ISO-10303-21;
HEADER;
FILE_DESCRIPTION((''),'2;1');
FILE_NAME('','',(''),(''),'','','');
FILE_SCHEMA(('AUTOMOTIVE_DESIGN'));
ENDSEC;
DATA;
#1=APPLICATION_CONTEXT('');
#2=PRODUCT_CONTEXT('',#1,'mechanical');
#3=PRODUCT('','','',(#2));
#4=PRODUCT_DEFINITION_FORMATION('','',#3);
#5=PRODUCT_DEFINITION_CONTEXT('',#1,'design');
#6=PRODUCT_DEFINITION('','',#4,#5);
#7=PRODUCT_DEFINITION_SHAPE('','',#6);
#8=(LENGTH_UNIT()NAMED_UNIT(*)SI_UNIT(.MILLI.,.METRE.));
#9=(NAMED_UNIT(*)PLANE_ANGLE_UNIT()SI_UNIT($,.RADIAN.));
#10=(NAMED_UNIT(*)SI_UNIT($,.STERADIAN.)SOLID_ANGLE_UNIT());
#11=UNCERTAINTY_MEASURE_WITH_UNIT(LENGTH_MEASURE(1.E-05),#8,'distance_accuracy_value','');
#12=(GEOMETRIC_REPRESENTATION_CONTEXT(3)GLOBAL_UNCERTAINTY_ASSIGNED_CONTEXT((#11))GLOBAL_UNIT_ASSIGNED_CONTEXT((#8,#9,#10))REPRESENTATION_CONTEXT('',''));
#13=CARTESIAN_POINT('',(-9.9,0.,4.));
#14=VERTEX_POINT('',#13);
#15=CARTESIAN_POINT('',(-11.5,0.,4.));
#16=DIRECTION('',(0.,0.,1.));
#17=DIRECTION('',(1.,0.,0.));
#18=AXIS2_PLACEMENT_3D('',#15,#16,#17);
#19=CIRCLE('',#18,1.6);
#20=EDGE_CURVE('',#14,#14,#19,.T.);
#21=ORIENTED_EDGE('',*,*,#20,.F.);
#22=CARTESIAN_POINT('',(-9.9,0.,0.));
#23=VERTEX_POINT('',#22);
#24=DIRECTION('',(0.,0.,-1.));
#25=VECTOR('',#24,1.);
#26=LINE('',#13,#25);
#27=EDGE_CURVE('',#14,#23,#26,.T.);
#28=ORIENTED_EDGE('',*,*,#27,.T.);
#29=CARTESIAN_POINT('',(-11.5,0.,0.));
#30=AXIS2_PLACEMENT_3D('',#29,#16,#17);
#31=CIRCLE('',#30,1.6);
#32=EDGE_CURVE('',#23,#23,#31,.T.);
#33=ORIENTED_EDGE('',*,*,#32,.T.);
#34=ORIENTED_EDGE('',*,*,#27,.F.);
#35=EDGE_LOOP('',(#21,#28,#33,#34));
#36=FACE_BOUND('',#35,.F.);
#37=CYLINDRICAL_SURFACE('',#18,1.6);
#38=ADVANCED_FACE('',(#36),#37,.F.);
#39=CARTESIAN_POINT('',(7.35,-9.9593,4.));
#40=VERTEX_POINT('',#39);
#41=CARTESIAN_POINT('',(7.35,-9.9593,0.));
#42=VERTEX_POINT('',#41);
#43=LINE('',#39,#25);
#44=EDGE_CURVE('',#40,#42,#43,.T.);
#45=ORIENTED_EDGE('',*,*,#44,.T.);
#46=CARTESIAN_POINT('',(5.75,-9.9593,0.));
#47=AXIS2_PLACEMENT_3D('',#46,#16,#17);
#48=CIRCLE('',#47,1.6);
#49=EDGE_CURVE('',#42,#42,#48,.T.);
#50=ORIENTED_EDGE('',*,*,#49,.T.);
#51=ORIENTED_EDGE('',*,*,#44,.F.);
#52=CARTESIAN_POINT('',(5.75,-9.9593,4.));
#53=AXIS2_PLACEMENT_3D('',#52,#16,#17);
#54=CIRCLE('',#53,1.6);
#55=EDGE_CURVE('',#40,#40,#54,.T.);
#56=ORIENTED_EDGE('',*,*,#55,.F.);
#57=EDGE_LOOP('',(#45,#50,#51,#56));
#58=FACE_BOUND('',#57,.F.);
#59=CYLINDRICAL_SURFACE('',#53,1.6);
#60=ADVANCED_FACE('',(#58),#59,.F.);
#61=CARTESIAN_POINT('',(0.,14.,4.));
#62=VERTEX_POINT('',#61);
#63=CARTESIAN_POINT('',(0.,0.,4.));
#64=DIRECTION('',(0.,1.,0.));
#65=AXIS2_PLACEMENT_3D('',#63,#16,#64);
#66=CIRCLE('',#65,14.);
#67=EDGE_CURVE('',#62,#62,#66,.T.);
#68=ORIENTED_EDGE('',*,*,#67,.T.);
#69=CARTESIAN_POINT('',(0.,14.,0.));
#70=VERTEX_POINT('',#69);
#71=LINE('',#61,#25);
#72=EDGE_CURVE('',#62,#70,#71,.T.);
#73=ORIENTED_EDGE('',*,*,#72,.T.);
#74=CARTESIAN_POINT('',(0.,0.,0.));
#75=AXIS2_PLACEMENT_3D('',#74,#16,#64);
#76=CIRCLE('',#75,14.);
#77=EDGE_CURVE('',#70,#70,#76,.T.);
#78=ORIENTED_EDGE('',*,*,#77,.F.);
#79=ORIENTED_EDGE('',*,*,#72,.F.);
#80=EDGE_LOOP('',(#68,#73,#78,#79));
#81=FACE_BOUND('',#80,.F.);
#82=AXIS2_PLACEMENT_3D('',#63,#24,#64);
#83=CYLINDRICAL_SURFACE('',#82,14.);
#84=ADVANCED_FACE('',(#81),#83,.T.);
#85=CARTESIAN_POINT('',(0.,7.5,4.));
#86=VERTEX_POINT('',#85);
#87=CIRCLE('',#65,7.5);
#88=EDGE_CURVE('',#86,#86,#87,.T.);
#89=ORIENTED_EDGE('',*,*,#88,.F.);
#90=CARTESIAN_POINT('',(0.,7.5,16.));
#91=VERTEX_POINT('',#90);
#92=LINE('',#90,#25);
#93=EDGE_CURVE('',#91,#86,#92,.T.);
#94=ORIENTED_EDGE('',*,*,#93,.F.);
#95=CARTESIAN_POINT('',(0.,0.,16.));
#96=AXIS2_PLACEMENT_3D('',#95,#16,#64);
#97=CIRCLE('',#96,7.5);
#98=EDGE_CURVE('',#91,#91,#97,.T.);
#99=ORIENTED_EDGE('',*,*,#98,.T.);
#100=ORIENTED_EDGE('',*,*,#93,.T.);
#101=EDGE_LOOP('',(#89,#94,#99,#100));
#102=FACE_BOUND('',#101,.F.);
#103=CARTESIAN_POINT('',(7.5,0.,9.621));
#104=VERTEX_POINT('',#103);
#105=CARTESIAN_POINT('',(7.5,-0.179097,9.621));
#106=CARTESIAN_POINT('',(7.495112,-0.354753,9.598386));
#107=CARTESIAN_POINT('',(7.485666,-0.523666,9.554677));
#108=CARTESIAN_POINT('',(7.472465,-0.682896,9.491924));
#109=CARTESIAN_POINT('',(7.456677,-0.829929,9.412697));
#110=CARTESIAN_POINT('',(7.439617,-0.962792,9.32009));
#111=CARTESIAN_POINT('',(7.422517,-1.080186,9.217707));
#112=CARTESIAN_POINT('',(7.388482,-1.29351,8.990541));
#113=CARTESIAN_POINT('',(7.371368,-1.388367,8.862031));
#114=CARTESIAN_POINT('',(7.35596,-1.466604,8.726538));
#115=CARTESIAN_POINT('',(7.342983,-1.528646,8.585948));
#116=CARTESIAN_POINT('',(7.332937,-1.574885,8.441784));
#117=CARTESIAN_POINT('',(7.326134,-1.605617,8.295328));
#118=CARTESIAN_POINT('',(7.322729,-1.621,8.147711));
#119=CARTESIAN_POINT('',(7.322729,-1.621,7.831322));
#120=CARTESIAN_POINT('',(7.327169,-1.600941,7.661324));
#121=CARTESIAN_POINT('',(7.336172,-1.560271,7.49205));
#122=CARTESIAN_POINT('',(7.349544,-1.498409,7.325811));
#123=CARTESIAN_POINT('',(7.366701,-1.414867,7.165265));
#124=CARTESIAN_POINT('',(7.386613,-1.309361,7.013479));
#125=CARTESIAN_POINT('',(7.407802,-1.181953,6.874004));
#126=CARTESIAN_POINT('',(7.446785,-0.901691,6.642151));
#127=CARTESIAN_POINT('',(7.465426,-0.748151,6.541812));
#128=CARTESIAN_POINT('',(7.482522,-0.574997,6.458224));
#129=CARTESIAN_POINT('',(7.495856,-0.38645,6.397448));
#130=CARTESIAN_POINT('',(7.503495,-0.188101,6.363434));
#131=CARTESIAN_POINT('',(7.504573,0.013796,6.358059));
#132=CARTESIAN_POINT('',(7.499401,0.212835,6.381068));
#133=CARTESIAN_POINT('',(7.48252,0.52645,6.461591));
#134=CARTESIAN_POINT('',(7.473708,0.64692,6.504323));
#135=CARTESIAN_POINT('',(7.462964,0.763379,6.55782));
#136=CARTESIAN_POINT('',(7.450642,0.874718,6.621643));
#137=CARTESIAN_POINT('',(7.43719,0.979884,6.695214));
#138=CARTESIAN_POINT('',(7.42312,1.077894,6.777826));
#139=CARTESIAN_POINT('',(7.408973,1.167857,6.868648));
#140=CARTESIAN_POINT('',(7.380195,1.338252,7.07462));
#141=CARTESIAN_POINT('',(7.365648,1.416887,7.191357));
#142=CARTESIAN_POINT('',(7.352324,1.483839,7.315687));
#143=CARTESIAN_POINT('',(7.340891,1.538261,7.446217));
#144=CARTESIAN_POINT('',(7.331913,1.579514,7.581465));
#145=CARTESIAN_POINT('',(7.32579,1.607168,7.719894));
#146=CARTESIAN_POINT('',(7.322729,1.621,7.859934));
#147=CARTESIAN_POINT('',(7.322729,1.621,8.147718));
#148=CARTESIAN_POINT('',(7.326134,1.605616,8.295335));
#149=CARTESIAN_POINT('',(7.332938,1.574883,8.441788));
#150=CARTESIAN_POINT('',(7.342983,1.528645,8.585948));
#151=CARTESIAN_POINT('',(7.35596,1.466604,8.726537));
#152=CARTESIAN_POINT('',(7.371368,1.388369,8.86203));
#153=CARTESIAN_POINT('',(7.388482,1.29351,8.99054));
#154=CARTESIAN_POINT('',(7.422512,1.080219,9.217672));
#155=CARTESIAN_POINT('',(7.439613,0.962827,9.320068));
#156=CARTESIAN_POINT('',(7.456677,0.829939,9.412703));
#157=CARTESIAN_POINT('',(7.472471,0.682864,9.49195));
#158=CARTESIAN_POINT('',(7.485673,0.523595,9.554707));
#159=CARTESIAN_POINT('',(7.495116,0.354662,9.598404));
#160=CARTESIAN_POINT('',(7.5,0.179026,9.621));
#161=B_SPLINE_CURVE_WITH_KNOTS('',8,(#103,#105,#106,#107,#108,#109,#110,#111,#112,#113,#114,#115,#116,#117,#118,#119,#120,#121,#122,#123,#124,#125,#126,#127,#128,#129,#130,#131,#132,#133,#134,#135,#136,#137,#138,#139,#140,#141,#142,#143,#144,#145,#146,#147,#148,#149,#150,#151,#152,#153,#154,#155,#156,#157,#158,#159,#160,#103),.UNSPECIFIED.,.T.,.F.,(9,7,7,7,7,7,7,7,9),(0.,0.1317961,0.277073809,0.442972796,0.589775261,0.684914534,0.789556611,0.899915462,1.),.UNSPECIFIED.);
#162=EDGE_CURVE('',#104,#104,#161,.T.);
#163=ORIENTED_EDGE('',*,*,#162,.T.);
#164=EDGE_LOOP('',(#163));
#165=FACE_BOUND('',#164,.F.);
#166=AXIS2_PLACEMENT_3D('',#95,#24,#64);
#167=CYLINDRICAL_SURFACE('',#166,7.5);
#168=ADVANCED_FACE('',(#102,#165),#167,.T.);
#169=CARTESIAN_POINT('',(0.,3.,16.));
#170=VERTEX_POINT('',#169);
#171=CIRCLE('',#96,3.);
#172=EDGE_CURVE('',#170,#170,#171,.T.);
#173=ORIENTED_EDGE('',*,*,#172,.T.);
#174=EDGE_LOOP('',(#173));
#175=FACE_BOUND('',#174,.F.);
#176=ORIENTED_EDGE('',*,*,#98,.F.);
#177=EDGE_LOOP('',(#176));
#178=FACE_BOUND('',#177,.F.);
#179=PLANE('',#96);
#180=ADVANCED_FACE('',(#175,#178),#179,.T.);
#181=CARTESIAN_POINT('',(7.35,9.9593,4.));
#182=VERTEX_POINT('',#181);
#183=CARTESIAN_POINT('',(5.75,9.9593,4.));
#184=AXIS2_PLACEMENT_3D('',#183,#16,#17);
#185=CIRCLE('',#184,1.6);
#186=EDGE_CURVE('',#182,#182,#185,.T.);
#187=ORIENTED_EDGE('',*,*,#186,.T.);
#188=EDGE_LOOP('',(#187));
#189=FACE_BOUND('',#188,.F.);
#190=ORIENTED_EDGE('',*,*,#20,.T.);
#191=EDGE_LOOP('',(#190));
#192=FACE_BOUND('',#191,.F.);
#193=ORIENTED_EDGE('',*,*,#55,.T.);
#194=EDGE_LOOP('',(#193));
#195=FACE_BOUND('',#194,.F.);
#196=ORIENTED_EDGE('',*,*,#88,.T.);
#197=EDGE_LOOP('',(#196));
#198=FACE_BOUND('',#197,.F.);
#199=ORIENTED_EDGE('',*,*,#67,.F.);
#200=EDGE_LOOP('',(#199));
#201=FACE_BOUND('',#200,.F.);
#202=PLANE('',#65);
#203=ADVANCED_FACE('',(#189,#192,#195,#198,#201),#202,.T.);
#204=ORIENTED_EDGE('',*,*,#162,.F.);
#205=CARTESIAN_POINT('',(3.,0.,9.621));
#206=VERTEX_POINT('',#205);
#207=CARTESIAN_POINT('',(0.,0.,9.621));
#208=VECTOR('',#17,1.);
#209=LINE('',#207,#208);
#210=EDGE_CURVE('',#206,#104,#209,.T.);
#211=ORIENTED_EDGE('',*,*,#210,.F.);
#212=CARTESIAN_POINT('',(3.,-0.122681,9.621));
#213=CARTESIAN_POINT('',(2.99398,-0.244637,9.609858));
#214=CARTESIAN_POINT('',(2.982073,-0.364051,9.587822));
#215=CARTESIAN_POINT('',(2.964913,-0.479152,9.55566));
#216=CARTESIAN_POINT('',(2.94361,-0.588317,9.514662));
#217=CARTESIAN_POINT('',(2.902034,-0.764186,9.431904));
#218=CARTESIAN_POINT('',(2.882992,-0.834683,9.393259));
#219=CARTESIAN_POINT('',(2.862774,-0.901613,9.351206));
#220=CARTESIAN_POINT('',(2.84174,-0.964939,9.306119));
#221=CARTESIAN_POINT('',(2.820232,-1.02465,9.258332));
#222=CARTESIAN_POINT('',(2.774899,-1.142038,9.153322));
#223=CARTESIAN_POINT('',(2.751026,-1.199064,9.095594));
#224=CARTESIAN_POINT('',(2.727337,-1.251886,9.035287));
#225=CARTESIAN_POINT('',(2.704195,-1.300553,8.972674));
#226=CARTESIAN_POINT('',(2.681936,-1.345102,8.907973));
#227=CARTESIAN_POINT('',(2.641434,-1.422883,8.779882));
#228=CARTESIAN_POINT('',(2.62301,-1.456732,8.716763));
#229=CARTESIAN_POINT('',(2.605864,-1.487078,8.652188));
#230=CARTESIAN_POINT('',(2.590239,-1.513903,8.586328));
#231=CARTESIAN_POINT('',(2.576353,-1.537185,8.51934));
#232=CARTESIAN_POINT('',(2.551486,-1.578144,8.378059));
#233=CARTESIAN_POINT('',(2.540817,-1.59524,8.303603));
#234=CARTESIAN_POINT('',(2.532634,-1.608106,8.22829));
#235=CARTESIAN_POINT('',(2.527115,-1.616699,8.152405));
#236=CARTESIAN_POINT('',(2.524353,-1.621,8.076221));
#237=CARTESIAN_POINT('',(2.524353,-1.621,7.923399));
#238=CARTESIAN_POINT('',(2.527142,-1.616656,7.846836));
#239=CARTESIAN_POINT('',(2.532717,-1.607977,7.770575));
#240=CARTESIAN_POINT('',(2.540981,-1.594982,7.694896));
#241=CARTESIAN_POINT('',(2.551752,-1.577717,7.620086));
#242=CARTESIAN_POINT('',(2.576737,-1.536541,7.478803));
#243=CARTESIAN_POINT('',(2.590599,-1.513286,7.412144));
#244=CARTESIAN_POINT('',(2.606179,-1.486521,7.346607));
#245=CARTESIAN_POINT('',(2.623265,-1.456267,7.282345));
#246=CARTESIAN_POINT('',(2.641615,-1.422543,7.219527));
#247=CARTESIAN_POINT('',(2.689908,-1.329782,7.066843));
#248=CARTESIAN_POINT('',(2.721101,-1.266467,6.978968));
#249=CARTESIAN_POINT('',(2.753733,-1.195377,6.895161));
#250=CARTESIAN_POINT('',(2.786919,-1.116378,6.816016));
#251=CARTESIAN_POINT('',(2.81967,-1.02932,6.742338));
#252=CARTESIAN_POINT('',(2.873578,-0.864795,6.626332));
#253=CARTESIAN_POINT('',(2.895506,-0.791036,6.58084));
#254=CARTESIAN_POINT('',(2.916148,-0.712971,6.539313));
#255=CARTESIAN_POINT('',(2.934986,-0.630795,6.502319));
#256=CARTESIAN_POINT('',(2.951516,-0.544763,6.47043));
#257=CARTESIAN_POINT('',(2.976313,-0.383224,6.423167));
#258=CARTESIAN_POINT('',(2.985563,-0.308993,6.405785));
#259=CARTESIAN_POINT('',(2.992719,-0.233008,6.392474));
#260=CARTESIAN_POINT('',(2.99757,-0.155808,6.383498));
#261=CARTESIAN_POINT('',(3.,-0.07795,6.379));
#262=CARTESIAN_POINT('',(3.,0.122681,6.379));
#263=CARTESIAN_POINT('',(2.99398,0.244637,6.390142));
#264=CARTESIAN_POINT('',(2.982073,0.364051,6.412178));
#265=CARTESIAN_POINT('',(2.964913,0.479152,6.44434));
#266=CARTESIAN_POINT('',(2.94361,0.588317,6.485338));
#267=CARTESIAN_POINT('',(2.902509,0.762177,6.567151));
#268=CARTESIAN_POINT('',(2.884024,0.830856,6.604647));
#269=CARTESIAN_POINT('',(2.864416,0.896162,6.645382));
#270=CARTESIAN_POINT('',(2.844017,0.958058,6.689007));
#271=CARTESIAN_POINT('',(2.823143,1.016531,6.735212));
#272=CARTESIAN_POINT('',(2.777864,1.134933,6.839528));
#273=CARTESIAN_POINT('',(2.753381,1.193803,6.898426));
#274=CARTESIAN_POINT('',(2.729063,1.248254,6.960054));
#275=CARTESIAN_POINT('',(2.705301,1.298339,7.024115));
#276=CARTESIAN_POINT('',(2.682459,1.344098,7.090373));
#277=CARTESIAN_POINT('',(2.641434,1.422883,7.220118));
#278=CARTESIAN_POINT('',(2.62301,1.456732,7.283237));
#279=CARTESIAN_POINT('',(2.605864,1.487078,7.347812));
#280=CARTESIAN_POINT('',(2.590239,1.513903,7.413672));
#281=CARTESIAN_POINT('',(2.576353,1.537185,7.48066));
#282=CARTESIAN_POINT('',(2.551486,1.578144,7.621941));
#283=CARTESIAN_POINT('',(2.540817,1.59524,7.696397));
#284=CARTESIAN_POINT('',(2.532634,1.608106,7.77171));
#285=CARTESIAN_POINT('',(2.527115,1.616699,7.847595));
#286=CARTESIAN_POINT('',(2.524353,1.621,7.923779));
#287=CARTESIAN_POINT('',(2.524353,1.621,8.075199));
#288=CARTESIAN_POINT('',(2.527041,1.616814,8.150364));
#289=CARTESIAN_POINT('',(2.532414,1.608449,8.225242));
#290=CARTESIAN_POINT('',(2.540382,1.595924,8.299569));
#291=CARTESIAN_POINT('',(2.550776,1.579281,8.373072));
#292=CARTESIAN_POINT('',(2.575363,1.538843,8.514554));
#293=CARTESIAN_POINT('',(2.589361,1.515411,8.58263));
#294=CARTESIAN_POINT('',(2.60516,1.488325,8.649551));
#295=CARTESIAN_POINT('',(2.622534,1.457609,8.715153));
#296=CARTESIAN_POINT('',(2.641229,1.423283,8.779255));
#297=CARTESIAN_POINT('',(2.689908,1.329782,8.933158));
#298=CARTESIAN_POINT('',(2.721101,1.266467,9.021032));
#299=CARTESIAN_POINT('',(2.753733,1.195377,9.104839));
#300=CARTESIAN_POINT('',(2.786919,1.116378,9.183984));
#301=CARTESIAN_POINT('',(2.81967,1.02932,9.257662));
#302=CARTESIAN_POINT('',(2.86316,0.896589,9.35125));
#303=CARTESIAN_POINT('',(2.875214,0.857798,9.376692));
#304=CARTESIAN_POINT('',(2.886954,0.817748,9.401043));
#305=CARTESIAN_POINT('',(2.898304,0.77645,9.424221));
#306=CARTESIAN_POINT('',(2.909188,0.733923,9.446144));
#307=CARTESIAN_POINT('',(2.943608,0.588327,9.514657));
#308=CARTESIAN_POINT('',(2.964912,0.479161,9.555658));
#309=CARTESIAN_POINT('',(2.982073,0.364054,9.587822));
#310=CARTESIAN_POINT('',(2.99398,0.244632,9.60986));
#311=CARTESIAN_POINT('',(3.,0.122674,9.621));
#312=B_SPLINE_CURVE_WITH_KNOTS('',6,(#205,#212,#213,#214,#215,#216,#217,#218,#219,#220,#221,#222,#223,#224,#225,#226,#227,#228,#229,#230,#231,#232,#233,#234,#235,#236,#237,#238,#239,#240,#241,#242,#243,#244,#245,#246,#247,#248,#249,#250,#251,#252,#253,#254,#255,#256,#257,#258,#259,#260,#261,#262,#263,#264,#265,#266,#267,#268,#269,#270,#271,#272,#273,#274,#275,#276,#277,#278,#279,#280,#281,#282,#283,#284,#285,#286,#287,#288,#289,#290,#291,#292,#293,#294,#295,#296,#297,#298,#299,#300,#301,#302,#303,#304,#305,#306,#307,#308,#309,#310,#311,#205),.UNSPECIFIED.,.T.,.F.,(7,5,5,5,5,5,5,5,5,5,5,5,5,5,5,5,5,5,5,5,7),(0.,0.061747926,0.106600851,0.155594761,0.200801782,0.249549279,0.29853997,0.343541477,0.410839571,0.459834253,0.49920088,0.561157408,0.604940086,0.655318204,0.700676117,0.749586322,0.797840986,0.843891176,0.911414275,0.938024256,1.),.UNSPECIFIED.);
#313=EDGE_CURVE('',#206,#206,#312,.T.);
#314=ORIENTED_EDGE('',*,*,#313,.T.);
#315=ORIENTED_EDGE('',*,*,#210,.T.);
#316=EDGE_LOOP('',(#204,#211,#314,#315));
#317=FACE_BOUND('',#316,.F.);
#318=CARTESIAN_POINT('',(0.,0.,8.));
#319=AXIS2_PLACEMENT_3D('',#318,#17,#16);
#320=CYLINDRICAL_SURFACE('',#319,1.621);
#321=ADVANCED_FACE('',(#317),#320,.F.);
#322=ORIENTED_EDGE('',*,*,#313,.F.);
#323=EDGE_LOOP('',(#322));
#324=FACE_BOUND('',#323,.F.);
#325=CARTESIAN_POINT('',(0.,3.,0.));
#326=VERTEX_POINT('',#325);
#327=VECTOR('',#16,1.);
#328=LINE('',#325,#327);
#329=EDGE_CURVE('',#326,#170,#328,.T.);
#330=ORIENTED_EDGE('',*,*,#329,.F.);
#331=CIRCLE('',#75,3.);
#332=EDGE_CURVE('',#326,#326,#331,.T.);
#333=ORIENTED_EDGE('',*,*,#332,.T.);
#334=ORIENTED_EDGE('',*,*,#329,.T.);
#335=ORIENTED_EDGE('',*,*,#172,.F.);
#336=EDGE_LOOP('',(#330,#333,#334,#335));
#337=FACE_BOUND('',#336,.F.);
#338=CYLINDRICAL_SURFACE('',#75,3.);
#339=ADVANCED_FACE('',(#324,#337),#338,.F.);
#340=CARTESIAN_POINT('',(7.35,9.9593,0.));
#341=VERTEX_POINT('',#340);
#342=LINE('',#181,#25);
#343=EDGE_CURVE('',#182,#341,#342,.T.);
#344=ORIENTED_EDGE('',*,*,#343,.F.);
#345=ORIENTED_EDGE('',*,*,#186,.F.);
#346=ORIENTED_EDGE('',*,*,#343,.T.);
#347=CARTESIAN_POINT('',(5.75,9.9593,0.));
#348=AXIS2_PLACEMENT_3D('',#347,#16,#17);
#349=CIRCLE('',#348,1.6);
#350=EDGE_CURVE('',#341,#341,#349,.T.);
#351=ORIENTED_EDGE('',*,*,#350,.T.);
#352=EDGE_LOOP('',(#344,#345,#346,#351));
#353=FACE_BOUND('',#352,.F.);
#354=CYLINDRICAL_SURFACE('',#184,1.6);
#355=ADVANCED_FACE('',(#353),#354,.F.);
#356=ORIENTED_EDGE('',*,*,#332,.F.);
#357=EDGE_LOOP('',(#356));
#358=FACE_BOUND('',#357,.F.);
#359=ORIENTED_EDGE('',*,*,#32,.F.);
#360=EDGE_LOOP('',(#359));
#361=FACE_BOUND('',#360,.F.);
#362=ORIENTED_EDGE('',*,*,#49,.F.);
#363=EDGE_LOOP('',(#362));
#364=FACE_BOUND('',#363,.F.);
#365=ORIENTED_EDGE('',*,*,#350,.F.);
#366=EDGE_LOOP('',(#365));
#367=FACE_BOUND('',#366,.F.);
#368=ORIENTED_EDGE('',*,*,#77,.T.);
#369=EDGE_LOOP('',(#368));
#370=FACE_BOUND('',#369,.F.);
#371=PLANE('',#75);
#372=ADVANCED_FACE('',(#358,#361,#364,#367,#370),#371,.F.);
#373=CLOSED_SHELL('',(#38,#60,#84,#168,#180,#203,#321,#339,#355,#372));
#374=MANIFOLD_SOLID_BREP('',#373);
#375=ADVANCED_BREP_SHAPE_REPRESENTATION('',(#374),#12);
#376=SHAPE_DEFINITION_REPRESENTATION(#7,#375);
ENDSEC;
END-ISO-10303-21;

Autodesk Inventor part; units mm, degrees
ref_plane "YZ Plane" through (0, 0, 0) normal (1, 0, 0) x (0, 1, 0)
ref_plane "XZ Plane" through (0, 0, 0) normal (0, 1, 0) x (-1, 0, 0)
ref_plane "XY Plane" through (0, 0, 0) normal (0, 0, 1) x (1, 0, 0)
sketch "スケッチ1" plane through (0, 0, 0) normal (1, 0, 0) x (0, 1, 0)
  line L0 (0, -3.2) -> (0, 19.2) construction
  line L1 (-2.8, 0) -> (16.8, 0) construction
  line L2 (3, 16) -> (7.5, 16)
  line L3 (7.5, 16) -> (7.5, 4)
  line L4 (7.5, 4) -> (14, 4)
  line L5 (14, 4) -> (14, 0)
  line L6 (14, 0) -> (3, 0)
  line L7 (3, 0) -> (3, 16)
  point P0 (0, 0)
  dimension "d0" = 6
  dimension "d1" = 15
  dimension "d2" = 28
  dimension "d3" = 4
  dimension "d4" = 16
revolve "回転1" add sketch "スケッチ1" angle 360 about axis through (0, 0, -10) along (0, 0, 1)
sketch "スケッチ2" plane through (0, 0, 0) normal (1, 0, 0) x (0, 1, 0)
  line L0 (14, 0) -> (-14, 0) construction
  line L1 (0, -3.2) -> (0, 19.2) construction
  point P0 (0, 0)
  point P1 (0, 8)
  dimension "d8" = 8
hole "穴1" at (0, 0, 8) direction (1, 0, 0) diameter 3.242 end through all thread size "M4x0.7" class "6H" standard "ISO Metric profile"
sketch "スケッチ3" plane through (0, 0, 4) normal (0, 0, 1) x (1, 0, 0)
  circle A0 centre (-11.5, 0) radius 1.6
  line L0 (-19.6, 0) -> (19.6, 0) construction
  circle A1 centre (0, 0) radius 11.5 construction
  circle A2 centre (5.75, -9.9593) radius 1.6
  circle A3 centre (5.75, 9.9593) radius 1.6
  dimension "d16" = 23
  dimension "d17" = 3.2
  dimension "d20" = 360
extrude "押し出し1" cut sketch "スケッチ3" against normal through all
properties part number "mecanum_hub" material "アルミニウム 6061"
